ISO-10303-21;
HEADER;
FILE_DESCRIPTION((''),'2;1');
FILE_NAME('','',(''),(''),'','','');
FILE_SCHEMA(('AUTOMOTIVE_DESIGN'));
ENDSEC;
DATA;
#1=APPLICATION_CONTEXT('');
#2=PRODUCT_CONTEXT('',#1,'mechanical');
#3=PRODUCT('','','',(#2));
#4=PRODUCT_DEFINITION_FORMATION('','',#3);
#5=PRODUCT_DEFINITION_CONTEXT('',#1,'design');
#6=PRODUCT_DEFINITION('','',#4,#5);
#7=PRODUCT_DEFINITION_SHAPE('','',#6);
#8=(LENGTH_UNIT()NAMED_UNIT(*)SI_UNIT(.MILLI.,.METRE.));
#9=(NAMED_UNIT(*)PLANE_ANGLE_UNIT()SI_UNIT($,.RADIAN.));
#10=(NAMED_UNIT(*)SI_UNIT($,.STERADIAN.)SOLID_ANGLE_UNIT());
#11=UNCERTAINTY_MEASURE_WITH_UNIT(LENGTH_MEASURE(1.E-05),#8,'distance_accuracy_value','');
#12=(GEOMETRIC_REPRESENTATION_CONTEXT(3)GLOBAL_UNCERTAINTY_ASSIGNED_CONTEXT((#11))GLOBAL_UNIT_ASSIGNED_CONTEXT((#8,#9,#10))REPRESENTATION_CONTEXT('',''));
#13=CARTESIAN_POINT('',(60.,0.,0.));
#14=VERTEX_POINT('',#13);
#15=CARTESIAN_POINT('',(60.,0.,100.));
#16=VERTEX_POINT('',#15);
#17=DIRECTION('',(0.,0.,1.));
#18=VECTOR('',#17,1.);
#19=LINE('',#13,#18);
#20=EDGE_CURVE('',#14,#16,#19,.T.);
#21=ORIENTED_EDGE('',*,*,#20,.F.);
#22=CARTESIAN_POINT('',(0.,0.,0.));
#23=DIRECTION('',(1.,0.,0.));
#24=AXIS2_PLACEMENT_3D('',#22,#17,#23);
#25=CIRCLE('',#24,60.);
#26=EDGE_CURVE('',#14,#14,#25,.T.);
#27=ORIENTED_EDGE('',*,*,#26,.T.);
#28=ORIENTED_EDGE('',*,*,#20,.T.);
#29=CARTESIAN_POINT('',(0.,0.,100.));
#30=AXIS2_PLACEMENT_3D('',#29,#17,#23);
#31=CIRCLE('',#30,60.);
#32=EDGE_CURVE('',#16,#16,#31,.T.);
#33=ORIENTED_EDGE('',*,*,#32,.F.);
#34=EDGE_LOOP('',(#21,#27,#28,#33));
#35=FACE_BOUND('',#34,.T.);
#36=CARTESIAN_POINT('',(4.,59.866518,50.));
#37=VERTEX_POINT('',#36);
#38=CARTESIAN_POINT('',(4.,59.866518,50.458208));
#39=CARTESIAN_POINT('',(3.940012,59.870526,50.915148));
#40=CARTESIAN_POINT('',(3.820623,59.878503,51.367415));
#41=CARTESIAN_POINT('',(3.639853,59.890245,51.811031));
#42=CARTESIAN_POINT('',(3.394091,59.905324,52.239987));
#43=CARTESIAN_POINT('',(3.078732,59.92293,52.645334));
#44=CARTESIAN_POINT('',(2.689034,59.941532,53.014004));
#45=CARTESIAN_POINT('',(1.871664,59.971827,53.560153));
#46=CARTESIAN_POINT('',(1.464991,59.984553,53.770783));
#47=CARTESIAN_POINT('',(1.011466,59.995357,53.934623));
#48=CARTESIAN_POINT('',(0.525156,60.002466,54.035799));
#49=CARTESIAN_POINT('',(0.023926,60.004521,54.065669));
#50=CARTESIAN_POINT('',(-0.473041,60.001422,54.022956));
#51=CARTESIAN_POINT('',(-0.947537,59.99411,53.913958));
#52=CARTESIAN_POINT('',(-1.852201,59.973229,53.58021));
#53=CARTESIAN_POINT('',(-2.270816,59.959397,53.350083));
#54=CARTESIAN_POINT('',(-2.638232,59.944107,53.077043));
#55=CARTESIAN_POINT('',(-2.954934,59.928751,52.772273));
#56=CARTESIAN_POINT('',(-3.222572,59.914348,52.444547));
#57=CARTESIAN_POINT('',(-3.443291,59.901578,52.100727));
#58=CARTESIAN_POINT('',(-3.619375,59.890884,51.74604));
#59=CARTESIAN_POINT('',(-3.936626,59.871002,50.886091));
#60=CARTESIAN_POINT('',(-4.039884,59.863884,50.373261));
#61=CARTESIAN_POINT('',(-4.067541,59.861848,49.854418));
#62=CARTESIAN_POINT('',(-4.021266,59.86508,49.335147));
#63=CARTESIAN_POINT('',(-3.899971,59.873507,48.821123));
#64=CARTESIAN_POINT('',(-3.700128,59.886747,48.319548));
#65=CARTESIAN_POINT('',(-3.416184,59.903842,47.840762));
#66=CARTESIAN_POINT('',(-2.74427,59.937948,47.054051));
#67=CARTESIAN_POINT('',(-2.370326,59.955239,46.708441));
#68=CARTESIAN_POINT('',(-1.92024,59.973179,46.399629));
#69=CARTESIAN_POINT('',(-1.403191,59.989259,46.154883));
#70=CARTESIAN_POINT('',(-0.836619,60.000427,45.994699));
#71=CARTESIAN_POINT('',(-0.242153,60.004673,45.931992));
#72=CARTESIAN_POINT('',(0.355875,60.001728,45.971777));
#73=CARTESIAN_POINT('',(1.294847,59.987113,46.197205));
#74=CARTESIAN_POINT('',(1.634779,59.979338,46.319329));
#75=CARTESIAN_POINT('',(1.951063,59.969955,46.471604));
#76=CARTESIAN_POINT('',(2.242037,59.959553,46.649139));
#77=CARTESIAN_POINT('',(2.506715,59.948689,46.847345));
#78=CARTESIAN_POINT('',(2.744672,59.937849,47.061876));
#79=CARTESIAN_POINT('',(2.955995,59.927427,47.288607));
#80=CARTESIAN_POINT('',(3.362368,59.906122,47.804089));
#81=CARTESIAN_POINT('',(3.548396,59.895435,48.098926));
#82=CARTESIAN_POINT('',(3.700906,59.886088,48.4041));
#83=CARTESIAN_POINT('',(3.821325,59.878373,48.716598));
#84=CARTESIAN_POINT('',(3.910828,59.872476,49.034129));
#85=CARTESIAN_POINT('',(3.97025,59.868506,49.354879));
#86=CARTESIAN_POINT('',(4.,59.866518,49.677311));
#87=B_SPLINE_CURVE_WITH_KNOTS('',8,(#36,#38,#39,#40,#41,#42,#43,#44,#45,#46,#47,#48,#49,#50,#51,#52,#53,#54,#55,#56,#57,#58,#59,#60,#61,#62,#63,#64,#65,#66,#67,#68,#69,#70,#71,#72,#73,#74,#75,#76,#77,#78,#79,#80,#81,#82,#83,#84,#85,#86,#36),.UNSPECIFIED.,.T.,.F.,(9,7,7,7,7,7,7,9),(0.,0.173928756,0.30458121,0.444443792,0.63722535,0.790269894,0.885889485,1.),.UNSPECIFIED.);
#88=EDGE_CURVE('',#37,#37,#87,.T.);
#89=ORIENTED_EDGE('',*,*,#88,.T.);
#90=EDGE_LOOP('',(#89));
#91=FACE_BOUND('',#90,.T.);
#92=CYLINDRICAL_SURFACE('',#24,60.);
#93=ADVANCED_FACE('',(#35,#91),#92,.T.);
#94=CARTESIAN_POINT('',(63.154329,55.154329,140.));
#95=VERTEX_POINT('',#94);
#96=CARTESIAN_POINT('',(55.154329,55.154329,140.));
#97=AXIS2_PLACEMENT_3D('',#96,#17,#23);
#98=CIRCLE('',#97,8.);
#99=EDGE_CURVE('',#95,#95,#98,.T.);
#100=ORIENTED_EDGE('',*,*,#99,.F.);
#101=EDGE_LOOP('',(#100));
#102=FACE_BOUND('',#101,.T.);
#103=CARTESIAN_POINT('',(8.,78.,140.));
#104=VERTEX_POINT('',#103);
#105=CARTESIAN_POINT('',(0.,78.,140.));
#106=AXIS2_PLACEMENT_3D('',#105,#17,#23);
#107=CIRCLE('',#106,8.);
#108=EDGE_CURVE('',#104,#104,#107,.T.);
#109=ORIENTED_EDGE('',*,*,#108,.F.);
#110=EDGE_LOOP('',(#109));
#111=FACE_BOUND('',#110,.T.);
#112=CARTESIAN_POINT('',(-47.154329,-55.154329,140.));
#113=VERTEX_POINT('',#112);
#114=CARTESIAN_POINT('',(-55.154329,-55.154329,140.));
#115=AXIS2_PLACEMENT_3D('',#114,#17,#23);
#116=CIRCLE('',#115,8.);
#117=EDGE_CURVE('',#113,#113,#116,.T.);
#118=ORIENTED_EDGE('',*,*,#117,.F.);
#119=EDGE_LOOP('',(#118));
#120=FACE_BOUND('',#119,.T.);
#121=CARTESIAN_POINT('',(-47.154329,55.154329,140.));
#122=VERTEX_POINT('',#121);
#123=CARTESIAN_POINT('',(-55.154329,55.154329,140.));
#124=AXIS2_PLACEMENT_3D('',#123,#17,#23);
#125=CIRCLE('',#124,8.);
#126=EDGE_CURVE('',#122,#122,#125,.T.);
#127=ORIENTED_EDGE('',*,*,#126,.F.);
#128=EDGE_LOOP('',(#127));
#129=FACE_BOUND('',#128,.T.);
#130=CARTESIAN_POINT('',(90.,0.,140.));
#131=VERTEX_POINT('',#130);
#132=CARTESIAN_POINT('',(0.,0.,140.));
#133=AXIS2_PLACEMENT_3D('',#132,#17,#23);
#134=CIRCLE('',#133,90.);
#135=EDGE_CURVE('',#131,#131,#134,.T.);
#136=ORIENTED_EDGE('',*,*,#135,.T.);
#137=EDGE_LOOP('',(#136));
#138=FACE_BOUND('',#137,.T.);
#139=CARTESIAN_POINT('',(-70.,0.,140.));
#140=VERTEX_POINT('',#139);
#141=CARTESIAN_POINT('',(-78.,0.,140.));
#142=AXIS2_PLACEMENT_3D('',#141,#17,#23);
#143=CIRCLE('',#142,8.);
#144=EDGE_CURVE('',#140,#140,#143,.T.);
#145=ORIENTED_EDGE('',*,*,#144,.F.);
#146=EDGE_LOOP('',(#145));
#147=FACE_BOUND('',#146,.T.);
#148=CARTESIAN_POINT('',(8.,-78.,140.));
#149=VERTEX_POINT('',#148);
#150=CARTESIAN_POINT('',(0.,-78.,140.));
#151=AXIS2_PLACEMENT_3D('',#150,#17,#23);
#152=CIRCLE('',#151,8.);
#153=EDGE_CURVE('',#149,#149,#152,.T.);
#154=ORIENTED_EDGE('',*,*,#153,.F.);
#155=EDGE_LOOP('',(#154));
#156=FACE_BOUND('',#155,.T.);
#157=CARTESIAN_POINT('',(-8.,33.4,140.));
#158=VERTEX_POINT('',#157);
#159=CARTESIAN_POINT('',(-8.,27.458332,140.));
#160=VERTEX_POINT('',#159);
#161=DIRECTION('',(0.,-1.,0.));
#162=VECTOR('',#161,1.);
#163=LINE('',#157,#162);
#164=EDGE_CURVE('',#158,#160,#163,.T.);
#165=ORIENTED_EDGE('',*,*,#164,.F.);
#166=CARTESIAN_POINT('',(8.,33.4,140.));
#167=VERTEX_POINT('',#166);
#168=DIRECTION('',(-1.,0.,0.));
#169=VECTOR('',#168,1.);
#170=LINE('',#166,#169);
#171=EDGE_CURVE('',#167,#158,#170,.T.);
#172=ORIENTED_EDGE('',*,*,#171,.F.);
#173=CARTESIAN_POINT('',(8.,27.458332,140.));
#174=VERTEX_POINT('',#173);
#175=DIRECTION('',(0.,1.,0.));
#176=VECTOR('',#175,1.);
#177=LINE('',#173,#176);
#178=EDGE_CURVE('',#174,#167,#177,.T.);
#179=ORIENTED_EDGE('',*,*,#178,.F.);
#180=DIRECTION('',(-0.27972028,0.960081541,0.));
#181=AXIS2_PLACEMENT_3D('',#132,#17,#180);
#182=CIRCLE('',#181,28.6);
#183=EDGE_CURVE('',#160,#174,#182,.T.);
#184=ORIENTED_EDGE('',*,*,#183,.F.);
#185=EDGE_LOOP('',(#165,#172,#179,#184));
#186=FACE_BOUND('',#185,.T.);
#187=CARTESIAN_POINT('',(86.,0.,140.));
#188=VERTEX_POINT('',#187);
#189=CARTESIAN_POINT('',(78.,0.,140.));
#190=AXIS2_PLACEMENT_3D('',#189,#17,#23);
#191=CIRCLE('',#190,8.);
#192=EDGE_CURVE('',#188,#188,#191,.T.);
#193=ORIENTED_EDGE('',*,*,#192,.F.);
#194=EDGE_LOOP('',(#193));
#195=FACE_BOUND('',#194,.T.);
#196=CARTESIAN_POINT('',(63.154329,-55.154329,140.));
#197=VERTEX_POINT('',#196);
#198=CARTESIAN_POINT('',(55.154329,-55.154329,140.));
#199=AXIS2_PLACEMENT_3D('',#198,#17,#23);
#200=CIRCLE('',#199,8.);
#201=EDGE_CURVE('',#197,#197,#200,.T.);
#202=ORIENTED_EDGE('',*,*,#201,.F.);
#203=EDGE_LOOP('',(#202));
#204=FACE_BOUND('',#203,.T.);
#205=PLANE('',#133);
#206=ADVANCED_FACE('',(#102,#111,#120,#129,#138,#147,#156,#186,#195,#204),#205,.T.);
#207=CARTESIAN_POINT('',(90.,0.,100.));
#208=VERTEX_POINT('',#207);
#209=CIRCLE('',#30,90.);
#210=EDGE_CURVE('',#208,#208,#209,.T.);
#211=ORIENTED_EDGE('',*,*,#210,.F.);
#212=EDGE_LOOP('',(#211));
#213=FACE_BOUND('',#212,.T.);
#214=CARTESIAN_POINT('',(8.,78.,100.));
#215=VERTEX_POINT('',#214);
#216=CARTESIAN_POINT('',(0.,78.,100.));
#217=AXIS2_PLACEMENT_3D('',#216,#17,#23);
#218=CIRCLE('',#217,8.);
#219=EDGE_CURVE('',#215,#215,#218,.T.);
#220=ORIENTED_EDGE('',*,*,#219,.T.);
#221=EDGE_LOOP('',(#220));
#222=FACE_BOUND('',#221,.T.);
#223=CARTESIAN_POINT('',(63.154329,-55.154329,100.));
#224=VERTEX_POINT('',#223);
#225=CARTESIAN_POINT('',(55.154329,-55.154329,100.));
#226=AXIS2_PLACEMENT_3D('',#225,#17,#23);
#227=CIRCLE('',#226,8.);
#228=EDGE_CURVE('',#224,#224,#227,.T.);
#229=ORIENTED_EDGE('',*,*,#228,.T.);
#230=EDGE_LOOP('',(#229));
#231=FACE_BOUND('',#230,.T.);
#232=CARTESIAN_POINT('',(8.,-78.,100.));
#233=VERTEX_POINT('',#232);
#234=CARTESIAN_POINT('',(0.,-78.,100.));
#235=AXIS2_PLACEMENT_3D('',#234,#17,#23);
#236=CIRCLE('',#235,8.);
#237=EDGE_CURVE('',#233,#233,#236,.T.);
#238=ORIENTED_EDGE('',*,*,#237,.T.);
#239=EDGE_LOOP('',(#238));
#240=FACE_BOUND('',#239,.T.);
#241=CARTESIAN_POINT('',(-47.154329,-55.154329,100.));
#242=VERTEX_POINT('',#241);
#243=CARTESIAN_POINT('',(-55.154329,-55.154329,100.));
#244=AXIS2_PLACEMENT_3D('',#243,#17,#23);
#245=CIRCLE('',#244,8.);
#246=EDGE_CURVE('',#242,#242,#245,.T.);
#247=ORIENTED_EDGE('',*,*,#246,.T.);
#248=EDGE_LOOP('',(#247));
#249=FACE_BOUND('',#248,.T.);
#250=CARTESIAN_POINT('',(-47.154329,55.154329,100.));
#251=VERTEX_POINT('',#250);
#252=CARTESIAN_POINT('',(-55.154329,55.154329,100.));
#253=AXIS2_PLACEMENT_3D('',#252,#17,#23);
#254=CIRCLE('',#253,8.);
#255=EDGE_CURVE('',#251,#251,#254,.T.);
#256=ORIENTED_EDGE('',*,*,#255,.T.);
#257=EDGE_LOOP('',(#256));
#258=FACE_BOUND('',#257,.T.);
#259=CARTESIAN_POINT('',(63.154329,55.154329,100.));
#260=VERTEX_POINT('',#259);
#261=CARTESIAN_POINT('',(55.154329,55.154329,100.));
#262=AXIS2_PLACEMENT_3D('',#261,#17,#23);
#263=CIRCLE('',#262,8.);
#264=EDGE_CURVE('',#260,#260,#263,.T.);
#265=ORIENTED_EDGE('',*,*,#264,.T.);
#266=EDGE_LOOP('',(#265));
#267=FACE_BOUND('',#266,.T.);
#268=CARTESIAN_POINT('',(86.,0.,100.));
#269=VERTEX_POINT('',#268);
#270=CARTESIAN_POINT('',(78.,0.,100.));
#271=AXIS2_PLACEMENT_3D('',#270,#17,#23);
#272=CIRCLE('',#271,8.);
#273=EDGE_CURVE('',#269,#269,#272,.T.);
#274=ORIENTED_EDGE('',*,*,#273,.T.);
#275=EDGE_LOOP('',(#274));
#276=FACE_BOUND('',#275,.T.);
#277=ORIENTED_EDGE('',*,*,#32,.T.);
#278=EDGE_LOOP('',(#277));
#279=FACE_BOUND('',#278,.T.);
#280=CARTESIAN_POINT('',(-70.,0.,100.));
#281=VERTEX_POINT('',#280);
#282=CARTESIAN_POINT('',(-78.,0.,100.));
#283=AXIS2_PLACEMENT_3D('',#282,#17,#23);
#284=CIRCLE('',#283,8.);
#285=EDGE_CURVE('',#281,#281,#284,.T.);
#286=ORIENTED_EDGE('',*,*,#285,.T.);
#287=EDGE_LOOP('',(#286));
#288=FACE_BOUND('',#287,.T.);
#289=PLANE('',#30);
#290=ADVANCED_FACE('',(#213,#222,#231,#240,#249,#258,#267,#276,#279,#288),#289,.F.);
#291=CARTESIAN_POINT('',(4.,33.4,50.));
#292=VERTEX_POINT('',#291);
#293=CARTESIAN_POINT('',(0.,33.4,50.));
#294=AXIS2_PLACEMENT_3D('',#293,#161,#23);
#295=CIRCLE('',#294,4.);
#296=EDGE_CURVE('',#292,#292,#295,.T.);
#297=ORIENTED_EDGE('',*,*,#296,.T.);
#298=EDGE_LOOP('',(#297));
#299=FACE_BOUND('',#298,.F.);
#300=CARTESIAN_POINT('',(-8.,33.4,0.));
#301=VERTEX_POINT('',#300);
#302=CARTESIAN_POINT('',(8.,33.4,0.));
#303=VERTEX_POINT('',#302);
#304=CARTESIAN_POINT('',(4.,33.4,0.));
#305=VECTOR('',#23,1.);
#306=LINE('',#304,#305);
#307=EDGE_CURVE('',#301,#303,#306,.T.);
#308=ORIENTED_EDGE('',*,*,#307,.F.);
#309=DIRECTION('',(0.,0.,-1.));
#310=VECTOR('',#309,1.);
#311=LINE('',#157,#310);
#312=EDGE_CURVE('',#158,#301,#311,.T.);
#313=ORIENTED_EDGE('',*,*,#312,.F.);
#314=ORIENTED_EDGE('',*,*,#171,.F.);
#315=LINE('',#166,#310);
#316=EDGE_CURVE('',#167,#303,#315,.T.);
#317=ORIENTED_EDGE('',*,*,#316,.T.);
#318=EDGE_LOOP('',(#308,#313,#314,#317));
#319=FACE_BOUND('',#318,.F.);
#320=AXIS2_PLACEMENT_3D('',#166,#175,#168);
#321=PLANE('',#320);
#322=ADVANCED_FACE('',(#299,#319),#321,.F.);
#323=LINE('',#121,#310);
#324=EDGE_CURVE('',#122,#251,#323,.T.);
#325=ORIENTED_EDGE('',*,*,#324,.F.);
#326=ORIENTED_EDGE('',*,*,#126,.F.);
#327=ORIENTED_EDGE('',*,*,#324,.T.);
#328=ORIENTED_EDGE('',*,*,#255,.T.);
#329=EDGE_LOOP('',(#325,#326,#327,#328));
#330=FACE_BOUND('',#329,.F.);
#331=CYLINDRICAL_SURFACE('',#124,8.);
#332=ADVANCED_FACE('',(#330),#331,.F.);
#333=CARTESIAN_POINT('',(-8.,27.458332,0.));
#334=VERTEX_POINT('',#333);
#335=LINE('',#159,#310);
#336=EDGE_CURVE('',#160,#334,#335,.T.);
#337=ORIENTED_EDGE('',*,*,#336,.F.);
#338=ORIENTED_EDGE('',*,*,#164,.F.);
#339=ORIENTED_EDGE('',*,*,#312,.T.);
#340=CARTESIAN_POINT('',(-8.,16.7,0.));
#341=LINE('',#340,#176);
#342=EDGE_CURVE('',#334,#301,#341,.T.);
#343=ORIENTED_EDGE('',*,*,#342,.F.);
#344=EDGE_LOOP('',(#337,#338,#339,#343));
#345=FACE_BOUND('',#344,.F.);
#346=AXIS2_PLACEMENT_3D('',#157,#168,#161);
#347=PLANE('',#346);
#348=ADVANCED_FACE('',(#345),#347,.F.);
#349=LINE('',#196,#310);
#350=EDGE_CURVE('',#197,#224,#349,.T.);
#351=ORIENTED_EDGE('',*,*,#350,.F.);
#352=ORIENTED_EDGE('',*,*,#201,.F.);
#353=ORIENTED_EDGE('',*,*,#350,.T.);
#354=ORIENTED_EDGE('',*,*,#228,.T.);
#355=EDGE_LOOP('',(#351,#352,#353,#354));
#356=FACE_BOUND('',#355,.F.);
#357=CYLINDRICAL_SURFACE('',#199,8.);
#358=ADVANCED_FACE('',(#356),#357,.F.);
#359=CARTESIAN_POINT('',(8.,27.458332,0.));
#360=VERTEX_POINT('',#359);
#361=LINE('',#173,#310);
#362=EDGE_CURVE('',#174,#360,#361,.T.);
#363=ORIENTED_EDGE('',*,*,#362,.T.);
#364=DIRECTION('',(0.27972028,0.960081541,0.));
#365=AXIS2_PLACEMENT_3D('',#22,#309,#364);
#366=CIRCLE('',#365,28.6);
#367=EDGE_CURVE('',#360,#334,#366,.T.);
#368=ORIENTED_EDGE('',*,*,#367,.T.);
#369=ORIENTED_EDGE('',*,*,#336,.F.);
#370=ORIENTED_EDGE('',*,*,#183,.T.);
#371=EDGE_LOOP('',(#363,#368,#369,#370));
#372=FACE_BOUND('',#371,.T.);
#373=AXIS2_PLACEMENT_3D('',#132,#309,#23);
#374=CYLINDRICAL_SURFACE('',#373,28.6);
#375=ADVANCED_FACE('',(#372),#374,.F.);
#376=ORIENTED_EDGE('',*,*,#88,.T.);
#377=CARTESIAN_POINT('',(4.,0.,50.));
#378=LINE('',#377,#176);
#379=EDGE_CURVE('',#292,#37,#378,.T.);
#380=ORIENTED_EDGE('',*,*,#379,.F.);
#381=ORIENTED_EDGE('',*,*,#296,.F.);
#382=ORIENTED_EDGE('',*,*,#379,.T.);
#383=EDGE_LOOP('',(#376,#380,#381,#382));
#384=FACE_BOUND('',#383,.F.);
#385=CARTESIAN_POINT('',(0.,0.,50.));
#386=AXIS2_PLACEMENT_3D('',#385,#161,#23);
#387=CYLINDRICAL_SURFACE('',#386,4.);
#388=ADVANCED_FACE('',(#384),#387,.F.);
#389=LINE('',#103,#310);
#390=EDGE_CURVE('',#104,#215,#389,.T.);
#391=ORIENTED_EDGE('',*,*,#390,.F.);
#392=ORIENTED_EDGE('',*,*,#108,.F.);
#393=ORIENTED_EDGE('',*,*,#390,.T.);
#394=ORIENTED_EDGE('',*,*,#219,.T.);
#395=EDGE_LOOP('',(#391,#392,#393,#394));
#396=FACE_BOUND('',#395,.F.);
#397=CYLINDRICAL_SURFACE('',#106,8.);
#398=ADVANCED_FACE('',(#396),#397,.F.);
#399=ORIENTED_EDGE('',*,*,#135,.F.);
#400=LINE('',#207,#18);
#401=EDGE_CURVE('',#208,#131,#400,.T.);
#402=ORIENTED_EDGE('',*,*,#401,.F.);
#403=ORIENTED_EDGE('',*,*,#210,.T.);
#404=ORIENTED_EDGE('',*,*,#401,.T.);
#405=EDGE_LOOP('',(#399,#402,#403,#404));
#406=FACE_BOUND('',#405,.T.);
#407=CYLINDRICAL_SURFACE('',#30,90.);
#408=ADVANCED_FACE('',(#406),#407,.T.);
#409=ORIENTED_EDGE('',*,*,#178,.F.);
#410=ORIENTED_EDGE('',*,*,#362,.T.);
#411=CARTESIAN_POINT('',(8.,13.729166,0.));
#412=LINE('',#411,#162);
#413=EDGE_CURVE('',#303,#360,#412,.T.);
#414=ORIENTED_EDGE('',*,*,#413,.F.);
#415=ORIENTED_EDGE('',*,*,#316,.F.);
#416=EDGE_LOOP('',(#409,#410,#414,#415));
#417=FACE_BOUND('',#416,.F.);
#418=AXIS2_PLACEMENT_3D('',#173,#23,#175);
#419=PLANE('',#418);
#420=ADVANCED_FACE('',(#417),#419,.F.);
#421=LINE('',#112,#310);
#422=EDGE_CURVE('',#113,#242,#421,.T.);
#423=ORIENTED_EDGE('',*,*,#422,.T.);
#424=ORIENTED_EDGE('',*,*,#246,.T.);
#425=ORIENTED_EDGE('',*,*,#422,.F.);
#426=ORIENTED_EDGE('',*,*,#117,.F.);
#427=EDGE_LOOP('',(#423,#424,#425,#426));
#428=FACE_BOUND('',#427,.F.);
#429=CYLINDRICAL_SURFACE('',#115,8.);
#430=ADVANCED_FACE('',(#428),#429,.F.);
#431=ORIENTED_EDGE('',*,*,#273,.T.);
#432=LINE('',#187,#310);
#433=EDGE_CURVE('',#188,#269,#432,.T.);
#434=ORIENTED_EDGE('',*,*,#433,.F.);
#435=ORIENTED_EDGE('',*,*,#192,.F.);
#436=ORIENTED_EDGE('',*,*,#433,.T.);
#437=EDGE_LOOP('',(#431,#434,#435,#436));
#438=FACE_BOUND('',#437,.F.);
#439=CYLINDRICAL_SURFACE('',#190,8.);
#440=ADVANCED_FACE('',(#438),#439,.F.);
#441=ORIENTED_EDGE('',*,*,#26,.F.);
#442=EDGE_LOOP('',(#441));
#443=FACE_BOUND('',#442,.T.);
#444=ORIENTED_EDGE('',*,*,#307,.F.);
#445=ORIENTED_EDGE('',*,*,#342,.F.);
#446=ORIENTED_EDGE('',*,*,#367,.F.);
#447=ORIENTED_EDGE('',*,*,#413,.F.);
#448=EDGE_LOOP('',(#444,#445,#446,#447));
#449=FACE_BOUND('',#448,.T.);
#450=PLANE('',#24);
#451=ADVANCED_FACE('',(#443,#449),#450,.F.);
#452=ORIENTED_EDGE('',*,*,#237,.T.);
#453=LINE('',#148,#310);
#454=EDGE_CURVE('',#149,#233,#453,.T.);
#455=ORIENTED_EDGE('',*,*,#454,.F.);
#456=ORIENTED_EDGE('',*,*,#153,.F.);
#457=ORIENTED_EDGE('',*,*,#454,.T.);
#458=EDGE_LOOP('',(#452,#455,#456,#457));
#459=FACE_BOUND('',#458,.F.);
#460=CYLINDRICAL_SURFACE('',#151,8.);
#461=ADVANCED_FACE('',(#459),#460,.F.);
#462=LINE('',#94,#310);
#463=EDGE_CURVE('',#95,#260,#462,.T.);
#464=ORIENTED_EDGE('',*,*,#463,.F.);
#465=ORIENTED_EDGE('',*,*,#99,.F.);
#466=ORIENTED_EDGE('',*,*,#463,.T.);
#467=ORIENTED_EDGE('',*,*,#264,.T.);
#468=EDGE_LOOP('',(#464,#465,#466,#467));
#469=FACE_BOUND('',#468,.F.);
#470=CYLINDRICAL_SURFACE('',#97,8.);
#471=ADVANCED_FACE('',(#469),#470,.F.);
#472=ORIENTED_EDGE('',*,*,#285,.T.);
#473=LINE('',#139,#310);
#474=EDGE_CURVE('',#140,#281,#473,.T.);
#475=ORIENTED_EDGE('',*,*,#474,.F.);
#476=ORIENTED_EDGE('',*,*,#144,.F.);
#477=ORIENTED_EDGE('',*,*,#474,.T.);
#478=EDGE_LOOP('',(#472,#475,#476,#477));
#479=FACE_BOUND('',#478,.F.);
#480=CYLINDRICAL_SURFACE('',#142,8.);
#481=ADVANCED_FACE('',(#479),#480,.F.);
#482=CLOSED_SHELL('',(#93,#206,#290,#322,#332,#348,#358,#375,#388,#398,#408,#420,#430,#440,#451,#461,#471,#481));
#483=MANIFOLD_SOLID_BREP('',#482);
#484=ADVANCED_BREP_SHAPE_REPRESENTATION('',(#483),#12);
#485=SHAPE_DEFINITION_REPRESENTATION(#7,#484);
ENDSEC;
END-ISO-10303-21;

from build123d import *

# Parameters (mm, degrees)
F3_DEPTH = 140.001
F4_R     = 8
F5_DEPTH = 140.001
F6_R     = 4
F7_DEPTH = 90.001


with BuildPart() as f1:
    # F0 (on Front) → F1 (revolve)
    with BuildSketch(Plane.XZ):
        Polygon((28.6, 140), (28.6, 0), (60, 0), (60, 100), (90, 100), (90, 140), align=None)
    revolve(axis=Axis((0, 0, 42.943615), (0, 0, 1)))

    # F2 (on face) → F3 (cut, through all)
    with BuildSketch(Plane.XY.offset(140)):
        with BuildLine():
            Line((8, 33.4), (-8, 33.4))
            Line((-8, 33.4), (-8, 27.458332))
            ThreePointArc((-8, 27.458332), (0, 28.6), (8, 27.458332))
            Line((8, 27.458332), (8, 33.4))
        make_face()
    extrude(amount=-F3_DEPTH, mode=Mode.SUBTRACT)

    # F4 (on face) → F5 (cut, through all)
    with BuildSketch(Plane.XY.offset(140)):
        with Locations((-55.154329, 55.154329)):
            Circle(F4_R)
        with Locations((0, 78)):
            Circle(F4_R)
        with Locations((55.154329, 55.154329)):
            Circle(F4_R)
        with Locations((78, 0)):
            Circle(F4_R)
        with Locations((55.154329, -55.154329)):
            Circle(F4_R)
        with Locations((0, -78)):
            Circle(F4_R)
        with Locations((-55.154329, -55.154329)):
            Circle(F4_R)
        with Locations((-78, 0)):
            Circle(F4_R)
    extrude(amount=-F5_DEPTH, mode=Mode.SUBTRACT)

    # F6 (on Front) → F7 (cut, through all)
    with BuildSketch(Plane.XZ):
        with Locations((0, 50)):
            Circle(F6_R)
    extrude(amount=-F7_DEPTH, mode=Mode.SUBTRACT)


solid = f1.part
